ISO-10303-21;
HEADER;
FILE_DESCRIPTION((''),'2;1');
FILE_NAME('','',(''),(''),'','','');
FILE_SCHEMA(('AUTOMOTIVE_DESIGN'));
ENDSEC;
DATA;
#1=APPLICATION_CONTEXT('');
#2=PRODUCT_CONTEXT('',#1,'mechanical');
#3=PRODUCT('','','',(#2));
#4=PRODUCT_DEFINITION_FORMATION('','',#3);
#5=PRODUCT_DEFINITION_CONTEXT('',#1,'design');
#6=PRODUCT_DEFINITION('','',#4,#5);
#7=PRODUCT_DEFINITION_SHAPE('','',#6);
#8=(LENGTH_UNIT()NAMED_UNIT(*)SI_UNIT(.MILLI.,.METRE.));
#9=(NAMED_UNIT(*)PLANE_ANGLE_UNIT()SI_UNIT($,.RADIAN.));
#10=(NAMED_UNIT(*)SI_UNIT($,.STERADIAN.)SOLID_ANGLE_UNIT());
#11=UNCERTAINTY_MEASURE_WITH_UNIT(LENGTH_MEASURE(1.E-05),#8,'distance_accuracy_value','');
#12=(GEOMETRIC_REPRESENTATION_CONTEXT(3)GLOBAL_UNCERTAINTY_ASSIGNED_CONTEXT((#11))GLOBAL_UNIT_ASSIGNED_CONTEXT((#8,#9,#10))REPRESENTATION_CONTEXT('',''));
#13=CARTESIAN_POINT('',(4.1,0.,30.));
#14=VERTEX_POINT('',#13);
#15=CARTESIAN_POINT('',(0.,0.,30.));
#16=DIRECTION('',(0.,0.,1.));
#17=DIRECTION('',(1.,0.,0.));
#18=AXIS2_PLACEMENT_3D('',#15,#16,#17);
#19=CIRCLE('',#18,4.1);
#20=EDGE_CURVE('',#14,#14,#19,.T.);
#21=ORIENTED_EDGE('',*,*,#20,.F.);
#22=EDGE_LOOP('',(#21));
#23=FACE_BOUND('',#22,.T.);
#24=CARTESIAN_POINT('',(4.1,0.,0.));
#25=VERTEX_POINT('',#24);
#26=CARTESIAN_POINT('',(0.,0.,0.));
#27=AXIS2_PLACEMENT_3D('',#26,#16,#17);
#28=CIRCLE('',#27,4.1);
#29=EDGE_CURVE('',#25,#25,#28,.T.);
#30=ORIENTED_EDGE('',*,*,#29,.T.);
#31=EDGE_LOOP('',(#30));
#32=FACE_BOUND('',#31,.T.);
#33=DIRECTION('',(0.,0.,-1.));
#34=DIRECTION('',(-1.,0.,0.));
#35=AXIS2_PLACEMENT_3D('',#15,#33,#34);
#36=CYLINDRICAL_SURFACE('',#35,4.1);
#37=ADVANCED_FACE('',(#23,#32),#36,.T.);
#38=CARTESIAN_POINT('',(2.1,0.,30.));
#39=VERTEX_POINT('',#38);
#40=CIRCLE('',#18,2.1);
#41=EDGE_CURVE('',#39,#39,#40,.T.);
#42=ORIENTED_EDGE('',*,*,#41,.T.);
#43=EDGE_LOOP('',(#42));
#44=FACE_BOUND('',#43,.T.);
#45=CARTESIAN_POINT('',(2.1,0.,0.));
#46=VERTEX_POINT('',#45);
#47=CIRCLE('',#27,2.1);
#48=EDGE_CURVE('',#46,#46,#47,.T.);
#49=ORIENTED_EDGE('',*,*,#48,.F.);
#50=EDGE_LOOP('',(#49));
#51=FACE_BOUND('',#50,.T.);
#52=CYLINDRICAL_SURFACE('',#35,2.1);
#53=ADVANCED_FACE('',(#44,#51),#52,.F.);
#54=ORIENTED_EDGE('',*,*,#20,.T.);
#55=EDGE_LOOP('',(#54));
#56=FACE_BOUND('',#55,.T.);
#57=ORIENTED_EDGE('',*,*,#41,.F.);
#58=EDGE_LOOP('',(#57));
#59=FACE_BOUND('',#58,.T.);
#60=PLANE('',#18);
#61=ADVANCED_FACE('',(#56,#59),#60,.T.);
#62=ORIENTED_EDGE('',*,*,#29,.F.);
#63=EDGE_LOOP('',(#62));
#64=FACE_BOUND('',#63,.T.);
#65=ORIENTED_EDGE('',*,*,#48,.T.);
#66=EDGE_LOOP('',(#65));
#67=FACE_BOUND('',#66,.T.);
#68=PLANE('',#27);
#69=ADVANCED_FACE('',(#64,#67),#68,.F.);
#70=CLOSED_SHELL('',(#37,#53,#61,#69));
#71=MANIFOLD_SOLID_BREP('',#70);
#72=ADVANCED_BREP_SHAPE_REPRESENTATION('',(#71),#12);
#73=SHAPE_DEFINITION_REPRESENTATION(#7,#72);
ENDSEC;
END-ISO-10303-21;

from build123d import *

# Parameters (mm, degrees)
SKETCH_1_R      = 4.1
SKETCH_1_R_2    = 2.1
EXTRUDE_1_DEPTH = 30


with BuildPart() as part:
    # ｽｹｯﾁ1 → ﾎﾞｽ - 押し出し1 (new body)
    with BuildSketch(Plane(origin=(0, 0, 0), x_dir=(0, 1, 0), z_dir=(0, 0, 1))):
        Circle(SKETCH_1_R)
        Circle(SKETCH_1_R_2, mode=Mode.SUBTRACT)
    extrude(amount=EXTRUDE_1_DEPTH)


solid = part.part
